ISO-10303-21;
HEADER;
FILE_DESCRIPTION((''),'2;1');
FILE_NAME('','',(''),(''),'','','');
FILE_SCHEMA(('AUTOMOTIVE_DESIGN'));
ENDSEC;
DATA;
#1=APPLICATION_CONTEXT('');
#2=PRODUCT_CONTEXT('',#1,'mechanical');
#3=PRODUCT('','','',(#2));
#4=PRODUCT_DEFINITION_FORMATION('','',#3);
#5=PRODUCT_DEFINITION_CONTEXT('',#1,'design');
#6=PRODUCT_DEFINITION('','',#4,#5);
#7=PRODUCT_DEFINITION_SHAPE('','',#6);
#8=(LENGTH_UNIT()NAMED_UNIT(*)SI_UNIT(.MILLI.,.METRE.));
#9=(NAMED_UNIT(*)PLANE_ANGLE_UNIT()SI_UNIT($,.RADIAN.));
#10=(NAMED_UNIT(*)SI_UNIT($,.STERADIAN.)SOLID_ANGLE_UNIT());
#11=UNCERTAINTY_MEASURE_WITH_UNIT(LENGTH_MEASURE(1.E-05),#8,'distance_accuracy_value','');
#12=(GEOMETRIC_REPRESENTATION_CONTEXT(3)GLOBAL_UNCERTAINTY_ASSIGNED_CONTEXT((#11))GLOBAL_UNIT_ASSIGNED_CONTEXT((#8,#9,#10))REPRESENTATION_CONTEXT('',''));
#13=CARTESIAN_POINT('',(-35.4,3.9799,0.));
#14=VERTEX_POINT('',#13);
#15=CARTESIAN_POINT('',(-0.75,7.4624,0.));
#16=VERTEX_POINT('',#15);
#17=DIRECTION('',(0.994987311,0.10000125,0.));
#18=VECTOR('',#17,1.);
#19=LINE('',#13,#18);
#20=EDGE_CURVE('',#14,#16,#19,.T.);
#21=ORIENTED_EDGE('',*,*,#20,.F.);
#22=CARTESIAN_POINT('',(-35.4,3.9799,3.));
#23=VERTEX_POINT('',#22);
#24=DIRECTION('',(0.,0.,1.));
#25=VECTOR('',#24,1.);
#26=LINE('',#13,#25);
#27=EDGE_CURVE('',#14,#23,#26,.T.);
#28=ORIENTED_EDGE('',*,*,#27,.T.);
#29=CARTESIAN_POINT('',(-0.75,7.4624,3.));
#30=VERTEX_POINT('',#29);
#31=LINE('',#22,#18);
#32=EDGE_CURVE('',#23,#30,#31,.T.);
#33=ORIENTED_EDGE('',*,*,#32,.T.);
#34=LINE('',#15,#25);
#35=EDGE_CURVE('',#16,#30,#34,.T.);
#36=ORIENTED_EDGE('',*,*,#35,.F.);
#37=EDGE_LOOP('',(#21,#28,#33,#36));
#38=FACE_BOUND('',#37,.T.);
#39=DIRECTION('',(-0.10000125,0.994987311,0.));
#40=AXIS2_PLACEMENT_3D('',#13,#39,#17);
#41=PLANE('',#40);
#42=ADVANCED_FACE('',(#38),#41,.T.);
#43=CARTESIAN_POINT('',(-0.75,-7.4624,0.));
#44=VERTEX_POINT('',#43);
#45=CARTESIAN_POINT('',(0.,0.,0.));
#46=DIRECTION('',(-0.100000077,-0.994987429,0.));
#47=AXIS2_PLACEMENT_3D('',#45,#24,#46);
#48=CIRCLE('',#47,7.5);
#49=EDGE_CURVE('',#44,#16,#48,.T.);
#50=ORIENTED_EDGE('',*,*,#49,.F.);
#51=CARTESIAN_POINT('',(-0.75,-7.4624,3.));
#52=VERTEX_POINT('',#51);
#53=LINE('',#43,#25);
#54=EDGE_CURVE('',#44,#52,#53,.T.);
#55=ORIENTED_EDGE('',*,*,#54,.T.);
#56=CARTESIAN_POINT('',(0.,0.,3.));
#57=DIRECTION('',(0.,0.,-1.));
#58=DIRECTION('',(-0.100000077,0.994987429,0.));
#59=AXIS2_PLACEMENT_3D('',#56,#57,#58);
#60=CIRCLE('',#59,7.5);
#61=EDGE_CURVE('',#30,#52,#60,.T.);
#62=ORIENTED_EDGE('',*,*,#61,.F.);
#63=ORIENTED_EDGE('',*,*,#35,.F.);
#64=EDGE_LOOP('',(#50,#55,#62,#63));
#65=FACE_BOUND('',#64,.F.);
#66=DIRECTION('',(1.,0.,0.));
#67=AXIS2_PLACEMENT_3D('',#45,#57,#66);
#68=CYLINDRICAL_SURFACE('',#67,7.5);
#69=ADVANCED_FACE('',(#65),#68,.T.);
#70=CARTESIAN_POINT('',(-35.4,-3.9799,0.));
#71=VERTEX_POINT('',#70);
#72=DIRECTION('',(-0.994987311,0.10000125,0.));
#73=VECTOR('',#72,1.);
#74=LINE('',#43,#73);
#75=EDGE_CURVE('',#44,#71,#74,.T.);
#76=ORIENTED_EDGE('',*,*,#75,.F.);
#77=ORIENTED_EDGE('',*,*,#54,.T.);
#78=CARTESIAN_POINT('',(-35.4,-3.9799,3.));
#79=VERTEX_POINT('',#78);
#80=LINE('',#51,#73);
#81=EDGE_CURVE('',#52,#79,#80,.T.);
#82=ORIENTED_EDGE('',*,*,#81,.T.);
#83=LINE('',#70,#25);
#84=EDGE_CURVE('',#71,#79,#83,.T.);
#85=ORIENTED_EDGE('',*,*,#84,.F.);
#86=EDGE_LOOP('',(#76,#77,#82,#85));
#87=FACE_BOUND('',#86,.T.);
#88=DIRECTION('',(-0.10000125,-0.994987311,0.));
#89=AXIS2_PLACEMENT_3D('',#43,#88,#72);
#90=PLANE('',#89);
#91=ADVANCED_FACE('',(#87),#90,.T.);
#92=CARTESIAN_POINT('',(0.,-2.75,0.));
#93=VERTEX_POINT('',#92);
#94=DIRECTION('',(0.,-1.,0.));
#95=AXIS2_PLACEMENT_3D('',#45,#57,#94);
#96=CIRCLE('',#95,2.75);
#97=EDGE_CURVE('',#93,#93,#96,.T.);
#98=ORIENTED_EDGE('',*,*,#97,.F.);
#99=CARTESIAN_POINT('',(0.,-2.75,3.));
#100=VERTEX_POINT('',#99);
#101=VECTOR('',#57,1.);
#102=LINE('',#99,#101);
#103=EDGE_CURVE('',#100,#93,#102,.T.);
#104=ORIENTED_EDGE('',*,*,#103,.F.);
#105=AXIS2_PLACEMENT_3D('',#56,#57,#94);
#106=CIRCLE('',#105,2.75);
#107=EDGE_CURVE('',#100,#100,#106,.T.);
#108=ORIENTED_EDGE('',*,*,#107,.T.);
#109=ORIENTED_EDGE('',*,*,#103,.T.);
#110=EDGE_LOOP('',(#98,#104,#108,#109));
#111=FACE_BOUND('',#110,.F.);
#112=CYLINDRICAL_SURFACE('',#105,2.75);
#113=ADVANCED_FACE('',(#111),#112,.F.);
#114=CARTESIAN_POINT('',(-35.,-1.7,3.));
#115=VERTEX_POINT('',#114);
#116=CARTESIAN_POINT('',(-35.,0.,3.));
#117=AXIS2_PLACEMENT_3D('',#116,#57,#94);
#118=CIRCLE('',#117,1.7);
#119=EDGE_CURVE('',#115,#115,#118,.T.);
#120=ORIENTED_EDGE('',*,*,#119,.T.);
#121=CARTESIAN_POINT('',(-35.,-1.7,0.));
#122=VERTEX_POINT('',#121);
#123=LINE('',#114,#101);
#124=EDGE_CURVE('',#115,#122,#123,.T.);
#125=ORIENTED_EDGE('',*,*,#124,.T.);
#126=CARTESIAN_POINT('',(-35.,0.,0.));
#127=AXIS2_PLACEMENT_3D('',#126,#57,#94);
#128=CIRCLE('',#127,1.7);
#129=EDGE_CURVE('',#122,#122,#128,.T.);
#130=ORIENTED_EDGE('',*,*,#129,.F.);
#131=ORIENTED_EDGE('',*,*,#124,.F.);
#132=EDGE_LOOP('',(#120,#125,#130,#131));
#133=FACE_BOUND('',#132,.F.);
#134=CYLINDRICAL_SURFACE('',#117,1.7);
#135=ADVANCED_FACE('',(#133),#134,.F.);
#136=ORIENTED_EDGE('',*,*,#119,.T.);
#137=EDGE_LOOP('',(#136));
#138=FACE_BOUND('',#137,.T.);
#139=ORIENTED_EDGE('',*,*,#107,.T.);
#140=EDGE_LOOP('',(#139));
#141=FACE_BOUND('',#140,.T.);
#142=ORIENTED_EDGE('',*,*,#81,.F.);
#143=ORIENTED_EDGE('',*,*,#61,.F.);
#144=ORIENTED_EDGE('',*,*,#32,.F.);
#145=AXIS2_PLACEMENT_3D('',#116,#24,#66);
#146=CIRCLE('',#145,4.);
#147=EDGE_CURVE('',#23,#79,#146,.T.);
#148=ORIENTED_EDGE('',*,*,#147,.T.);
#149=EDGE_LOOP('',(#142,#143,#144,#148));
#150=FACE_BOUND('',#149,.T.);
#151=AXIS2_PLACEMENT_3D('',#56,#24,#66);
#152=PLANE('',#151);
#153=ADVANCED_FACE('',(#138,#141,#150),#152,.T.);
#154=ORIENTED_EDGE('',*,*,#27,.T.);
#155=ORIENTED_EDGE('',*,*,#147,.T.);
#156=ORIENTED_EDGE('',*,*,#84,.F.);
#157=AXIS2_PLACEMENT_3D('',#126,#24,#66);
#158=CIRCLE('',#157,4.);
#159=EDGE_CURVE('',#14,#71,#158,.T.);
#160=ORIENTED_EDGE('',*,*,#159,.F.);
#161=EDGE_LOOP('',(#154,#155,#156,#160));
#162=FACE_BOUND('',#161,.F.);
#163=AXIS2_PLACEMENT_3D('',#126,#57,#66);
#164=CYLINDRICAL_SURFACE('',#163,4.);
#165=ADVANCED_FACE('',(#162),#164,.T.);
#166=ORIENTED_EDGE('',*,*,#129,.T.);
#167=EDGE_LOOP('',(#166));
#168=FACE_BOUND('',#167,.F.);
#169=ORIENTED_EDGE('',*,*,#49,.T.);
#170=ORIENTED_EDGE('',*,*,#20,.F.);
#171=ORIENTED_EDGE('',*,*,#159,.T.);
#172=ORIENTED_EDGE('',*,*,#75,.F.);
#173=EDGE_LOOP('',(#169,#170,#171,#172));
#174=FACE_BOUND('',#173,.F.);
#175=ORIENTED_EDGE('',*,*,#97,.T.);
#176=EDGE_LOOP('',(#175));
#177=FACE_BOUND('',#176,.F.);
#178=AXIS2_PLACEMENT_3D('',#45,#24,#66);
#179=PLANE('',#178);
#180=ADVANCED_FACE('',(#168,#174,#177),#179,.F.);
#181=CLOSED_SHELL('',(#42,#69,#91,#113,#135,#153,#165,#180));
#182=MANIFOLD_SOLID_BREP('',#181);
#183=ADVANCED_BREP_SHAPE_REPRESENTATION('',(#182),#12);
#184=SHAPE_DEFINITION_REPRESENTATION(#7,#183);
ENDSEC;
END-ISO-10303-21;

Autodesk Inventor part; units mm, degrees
ref_plane "YZ Plane" through (0, 0, 0) normal (1, 0, 0) x (0, 1, 0)
ref_plane "XZ Plane" through (0, 0, 0) normal (0, 1, 0) x (-1, 0, 0)
ref_plane "XY Plane" through (0, 0, 0) normal (0, 0, 1) x (1, 0, 0)
sketch "Sketch1" plane through (0, 0, 0) normal (0, 0, 1) x (1, 0, 0)
  circle A0 centre (0, 0) radius 7.5
  circle A1 centre (-35, 0) radius 4
  line L0 (-35.4, 3.9799) -> (-0.75, 7.4624)
  line L1 (-0.75, -7.4624) -> (-35.4, -3.9799)
  dimension "d0" = 15
  dimension "d1" = 8
  dimension "d2" = 35
extrude "Extrusion1" add sketch "Sketch1" along normal blind 3
sketch "Sketch3" plane through (0, 0, 3) normal (0, 0, 1) x (1, 0, 0)
  arc A0 (-35.4, 3.9799) -> (-35.4, -3.9799) centre (-35, 0) ccw projected
  line L0 (-35.4, -3.9799) -> (-0.75, -7.4624) projected
  arc A1 (-0.75, -7.4624) -> (-0.75, 7.4624) centre (0, 0) ccw projected
  line L1 (-0.75, 7.4624) -> (-35.4, 3.9799) projected
hole "Hole1" at (0, 0, 3) direction (0, 0, -1) diameter 5.5 end through all
sketch "Sketch4" plane through (0, 0, 3) normal (0, 0, 1) x (1, 0, 0)
  circle A0 centre (0, 0) radius 2.75 projected
  arc A1 (-35.4, 3.9799) -> (-35.4, -3.9799) centre (-35, 0) ccw projected
  line L0 (-35.4, -3.9799) -> (-0.75, -7.4624) projected
  arc A2 (-0.75, -7.4624) -> (-0.75, 7.4624) centre (0, 0) ccw projected
  line L1 (-0.75, 7.4624) -> (-35.4, 3.9799) projected
hole "Hole2" at (-35, 0, 3) direction (0, 0, -1) diameter 3.4 end through all clearance for "Socket Head Cap Screw" size "M3" standard "Ansi Metric M Profile"
properties part number "Selection_Counterweight" material "Nylon 6/6"
